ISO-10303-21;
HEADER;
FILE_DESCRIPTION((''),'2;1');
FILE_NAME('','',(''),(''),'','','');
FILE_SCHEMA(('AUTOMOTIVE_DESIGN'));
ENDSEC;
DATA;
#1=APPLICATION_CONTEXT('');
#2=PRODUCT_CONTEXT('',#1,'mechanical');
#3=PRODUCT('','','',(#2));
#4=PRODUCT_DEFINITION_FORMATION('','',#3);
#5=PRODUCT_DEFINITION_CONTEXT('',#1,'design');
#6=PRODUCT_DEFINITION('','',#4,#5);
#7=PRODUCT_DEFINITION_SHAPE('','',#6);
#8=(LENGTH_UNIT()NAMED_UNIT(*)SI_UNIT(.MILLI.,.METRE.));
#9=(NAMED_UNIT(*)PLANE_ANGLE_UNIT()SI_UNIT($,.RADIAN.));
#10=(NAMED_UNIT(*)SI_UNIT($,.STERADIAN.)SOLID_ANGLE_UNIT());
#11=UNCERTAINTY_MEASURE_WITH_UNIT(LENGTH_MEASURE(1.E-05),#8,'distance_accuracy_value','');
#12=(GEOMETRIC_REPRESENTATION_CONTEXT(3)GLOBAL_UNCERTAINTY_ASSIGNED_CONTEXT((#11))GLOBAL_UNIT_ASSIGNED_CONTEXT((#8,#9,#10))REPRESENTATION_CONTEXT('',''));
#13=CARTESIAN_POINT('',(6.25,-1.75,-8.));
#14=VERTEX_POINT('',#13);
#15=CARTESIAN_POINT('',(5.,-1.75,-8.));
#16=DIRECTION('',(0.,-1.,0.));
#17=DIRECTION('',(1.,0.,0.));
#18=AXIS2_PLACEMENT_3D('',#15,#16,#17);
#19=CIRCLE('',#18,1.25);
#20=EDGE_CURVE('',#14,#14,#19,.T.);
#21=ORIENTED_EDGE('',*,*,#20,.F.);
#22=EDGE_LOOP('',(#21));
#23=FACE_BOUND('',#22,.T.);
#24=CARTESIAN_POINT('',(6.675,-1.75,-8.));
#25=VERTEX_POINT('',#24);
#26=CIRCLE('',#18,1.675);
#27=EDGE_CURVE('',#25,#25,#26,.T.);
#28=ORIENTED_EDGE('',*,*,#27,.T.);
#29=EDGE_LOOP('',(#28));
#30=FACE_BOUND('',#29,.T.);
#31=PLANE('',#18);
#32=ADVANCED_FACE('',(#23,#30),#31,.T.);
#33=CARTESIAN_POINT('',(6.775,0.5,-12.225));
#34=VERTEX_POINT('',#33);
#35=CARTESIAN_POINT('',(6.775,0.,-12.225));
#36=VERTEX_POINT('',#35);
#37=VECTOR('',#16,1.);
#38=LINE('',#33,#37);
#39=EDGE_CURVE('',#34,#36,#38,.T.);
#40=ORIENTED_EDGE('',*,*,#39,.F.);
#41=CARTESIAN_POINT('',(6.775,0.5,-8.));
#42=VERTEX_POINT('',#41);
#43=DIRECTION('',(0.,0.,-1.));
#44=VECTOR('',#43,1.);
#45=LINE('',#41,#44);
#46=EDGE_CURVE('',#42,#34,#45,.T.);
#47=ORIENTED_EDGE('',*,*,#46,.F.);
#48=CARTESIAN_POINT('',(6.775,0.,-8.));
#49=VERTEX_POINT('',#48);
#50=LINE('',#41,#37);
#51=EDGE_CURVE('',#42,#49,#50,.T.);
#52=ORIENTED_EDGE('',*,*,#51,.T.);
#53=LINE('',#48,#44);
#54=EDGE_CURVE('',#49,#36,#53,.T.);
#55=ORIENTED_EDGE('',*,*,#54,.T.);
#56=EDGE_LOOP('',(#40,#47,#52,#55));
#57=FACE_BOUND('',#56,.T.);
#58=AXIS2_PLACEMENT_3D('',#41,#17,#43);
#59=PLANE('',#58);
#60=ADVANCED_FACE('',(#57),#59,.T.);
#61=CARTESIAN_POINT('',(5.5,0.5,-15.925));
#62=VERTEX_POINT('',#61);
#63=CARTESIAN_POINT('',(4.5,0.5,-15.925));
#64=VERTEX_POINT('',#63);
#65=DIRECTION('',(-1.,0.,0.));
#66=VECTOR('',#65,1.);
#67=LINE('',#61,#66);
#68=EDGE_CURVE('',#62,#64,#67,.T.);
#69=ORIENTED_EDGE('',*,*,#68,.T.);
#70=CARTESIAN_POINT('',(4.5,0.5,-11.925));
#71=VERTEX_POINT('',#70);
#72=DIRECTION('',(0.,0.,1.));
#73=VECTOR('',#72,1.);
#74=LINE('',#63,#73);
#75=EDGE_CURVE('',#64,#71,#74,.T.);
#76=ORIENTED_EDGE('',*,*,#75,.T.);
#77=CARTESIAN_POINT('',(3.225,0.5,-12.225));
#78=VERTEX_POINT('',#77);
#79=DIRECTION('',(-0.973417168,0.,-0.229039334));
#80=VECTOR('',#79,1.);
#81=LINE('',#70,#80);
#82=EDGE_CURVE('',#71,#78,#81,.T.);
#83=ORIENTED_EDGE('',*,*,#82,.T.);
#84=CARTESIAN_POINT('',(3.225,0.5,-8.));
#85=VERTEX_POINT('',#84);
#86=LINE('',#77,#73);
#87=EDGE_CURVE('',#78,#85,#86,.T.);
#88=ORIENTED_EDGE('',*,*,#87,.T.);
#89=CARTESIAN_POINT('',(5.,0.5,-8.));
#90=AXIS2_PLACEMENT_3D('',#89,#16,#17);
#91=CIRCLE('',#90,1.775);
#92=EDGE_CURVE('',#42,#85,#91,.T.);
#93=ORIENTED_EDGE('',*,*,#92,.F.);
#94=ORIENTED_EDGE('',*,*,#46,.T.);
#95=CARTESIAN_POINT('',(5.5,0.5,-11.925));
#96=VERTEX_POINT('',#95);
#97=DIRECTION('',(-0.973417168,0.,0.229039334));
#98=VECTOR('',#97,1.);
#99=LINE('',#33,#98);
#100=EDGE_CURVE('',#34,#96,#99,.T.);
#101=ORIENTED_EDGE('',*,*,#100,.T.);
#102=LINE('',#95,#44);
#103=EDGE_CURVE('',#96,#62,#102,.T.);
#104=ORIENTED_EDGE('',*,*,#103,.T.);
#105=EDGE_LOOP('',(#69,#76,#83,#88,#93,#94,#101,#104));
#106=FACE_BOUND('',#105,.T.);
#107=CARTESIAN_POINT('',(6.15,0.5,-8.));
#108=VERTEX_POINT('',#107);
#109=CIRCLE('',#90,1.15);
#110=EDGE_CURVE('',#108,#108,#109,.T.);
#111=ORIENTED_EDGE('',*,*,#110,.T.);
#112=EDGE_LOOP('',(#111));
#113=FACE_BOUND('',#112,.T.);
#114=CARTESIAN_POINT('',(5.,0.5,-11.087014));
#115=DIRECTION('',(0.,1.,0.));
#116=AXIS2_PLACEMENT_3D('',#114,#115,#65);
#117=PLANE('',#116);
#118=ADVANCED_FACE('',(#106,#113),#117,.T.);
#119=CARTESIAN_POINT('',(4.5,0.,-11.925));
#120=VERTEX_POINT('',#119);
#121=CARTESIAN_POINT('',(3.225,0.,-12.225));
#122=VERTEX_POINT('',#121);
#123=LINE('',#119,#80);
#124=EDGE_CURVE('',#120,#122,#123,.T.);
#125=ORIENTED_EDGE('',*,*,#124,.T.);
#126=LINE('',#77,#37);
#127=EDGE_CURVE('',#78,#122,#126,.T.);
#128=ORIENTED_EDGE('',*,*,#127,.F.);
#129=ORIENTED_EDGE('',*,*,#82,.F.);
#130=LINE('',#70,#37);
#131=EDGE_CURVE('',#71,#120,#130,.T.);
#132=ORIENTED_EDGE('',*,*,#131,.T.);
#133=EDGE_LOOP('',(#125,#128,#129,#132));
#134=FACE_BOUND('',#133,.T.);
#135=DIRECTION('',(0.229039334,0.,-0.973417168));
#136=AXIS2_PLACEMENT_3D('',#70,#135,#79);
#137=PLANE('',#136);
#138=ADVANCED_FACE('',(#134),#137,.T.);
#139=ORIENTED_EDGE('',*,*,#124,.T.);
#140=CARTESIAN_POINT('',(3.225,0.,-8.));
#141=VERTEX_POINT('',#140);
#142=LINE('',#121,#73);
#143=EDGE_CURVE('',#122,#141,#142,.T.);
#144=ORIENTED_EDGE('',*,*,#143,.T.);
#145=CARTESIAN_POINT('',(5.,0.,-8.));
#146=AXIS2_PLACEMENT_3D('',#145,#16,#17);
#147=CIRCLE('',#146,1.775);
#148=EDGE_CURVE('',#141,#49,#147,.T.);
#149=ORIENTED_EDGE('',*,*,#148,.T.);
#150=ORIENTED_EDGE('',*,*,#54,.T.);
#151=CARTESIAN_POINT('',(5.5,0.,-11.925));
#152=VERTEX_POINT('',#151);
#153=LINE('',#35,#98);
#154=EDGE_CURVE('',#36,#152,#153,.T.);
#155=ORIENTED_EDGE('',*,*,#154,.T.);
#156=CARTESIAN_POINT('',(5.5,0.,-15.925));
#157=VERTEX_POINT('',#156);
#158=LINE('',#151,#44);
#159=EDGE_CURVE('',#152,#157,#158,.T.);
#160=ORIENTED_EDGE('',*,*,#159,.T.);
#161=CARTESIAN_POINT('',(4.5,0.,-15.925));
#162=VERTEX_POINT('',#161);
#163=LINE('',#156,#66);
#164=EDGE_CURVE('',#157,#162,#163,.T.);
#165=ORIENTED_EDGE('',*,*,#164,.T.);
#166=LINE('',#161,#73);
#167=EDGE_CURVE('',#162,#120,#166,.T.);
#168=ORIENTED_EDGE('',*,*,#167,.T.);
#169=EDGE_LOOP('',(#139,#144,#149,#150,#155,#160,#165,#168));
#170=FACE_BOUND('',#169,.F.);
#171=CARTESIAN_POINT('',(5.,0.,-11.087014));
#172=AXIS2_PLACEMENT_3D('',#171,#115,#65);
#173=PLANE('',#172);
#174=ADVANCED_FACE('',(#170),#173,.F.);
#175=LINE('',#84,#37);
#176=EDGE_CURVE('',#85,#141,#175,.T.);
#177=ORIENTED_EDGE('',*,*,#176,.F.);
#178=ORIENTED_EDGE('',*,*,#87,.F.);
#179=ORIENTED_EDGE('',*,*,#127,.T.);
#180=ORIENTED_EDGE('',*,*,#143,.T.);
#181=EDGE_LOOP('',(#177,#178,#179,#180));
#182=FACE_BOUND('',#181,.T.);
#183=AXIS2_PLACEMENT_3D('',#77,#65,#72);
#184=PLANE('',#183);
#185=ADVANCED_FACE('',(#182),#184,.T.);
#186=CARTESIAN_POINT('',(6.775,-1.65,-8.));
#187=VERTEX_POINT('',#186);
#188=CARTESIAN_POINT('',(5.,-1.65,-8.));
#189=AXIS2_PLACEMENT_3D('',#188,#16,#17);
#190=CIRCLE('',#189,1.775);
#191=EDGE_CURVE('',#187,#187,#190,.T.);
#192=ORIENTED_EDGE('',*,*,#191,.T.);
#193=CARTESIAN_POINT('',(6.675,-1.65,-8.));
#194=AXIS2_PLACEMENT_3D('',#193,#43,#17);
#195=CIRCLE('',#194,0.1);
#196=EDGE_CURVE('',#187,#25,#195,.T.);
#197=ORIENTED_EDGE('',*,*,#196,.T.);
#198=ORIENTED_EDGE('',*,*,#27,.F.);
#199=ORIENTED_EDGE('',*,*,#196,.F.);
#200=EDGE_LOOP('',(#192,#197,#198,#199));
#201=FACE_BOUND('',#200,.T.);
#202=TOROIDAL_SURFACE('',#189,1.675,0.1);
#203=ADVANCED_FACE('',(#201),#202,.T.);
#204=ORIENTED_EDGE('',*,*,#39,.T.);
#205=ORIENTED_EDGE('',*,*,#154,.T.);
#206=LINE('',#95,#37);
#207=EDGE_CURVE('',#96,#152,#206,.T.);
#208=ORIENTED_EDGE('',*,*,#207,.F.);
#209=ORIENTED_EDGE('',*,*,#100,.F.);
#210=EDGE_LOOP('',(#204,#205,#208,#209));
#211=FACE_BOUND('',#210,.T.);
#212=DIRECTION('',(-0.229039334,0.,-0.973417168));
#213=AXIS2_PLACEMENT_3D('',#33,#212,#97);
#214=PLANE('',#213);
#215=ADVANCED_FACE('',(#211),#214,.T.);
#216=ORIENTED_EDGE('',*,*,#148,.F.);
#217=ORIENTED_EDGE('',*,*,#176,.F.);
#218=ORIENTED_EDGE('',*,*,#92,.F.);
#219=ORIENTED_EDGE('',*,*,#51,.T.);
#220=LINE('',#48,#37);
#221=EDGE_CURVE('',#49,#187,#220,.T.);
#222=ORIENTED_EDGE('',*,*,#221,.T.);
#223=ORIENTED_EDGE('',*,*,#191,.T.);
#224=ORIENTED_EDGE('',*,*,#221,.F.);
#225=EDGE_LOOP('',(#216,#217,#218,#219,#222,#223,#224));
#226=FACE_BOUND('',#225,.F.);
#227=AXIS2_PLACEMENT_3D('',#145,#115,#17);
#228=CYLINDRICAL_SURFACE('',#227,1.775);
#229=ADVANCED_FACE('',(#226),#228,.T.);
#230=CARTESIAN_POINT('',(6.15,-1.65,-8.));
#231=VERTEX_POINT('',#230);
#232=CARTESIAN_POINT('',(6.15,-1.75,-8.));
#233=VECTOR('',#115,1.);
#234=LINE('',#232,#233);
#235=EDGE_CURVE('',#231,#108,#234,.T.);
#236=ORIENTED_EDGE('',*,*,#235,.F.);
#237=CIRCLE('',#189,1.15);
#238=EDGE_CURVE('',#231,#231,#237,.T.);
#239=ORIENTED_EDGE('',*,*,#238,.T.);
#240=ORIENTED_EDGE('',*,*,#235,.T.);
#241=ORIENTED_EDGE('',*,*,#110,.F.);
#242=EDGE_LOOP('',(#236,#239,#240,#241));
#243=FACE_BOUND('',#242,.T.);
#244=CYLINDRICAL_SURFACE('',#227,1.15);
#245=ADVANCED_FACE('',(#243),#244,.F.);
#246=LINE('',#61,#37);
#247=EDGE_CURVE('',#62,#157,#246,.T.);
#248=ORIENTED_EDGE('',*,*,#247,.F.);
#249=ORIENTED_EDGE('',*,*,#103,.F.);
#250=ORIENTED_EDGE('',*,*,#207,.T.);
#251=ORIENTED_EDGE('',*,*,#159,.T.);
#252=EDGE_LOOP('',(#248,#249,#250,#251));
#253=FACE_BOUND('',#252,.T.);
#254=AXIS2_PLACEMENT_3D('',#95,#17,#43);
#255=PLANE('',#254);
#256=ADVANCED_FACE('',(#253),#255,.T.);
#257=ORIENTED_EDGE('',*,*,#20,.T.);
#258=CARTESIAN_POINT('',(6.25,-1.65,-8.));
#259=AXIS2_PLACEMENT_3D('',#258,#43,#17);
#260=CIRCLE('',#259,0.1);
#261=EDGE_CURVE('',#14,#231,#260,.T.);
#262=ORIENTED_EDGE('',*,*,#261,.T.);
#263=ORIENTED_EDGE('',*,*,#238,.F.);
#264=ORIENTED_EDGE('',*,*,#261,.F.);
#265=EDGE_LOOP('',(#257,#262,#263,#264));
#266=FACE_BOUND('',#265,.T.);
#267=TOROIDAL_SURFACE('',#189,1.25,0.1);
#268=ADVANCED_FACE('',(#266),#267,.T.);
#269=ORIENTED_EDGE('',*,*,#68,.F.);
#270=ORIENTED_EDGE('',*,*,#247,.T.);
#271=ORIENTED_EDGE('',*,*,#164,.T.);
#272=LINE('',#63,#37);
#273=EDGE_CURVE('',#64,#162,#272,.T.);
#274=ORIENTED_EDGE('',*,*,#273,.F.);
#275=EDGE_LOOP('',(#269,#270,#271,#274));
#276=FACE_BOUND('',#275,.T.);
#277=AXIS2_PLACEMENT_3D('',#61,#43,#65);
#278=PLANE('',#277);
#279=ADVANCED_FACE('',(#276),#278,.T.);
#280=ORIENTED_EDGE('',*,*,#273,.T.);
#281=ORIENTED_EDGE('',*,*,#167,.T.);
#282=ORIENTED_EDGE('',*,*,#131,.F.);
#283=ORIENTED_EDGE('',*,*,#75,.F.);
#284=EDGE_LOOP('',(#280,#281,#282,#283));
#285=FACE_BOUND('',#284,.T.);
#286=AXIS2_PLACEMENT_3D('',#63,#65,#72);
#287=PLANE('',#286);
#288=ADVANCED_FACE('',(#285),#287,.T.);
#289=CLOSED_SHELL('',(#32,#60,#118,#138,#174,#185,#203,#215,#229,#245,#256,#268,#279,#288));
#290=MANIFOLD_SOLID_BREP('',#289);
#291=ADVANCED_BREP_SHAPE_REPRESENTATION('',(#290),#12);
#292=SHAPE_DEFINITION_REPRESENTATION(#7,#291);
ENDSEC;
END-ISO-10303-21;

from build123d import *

# Parameters (mm, degrees)
SKETCH007_R   = 1.15
PAD006_DEPTH  = 0.5
SKETCH008_R   = 1.775
SKETCH008_R_2 = 1.15
PAD007_DEPTH  = 1.75
FILLET003_R   = 0.1


with BuildPart() as part:
    # Sketch007 → Pad006 (new body)
    with BuildSketch(Plane.XZ):
        with BuildLine():
            Line((1.775, 0), (1.775, -4.225))
            Line((1.775, -4.225), (0.5, -3.925))
            Line((0.5, -3.925), (0.5, -7.925))
            Line((0.5, -7.925), (-0.5, -7.925))
            Line((-0.5, -7.925), (-0.5, -3.925))
            Line((-0.5, -3.925), (-1.775, -4.225))
            Line((-1.775, -4.225), (-1.775, 0))
            ThreePointArc((1.775, 0), (0, 1.775), (-1.775, 0))
        make_face()
        Circle(SKETCH007_R, mode=Mode.SUBTRACT)
    extrude(amount=PAD006_DEPTH)

    # Sketch008 (on Face11 of Pad006) → Pad007 (join)
    with BuildSketch(Plane.XZ.offset(0.5)):
        Circle(SKETCH008_R)
        Circle(SKETCH008_R_2, mode=Mode.SUBTRACT)
    extrude(amount=PAD007_DEPTH)

    # Fillet003
    fillet003_edges = [part.edges().sort_by_distance(p)[0] for p in [
        (-1.775, -2.25, 0),
        (-1.15, -2.25, 0),
    ]]
    fillet(fillet003_edges, radius=FILLET003_R)


with BuildPart() as part_1:
    # Body022 placement: moved
    add(part.part.moved(Location((5, 0.5, -8))))


solid = part_1.part
